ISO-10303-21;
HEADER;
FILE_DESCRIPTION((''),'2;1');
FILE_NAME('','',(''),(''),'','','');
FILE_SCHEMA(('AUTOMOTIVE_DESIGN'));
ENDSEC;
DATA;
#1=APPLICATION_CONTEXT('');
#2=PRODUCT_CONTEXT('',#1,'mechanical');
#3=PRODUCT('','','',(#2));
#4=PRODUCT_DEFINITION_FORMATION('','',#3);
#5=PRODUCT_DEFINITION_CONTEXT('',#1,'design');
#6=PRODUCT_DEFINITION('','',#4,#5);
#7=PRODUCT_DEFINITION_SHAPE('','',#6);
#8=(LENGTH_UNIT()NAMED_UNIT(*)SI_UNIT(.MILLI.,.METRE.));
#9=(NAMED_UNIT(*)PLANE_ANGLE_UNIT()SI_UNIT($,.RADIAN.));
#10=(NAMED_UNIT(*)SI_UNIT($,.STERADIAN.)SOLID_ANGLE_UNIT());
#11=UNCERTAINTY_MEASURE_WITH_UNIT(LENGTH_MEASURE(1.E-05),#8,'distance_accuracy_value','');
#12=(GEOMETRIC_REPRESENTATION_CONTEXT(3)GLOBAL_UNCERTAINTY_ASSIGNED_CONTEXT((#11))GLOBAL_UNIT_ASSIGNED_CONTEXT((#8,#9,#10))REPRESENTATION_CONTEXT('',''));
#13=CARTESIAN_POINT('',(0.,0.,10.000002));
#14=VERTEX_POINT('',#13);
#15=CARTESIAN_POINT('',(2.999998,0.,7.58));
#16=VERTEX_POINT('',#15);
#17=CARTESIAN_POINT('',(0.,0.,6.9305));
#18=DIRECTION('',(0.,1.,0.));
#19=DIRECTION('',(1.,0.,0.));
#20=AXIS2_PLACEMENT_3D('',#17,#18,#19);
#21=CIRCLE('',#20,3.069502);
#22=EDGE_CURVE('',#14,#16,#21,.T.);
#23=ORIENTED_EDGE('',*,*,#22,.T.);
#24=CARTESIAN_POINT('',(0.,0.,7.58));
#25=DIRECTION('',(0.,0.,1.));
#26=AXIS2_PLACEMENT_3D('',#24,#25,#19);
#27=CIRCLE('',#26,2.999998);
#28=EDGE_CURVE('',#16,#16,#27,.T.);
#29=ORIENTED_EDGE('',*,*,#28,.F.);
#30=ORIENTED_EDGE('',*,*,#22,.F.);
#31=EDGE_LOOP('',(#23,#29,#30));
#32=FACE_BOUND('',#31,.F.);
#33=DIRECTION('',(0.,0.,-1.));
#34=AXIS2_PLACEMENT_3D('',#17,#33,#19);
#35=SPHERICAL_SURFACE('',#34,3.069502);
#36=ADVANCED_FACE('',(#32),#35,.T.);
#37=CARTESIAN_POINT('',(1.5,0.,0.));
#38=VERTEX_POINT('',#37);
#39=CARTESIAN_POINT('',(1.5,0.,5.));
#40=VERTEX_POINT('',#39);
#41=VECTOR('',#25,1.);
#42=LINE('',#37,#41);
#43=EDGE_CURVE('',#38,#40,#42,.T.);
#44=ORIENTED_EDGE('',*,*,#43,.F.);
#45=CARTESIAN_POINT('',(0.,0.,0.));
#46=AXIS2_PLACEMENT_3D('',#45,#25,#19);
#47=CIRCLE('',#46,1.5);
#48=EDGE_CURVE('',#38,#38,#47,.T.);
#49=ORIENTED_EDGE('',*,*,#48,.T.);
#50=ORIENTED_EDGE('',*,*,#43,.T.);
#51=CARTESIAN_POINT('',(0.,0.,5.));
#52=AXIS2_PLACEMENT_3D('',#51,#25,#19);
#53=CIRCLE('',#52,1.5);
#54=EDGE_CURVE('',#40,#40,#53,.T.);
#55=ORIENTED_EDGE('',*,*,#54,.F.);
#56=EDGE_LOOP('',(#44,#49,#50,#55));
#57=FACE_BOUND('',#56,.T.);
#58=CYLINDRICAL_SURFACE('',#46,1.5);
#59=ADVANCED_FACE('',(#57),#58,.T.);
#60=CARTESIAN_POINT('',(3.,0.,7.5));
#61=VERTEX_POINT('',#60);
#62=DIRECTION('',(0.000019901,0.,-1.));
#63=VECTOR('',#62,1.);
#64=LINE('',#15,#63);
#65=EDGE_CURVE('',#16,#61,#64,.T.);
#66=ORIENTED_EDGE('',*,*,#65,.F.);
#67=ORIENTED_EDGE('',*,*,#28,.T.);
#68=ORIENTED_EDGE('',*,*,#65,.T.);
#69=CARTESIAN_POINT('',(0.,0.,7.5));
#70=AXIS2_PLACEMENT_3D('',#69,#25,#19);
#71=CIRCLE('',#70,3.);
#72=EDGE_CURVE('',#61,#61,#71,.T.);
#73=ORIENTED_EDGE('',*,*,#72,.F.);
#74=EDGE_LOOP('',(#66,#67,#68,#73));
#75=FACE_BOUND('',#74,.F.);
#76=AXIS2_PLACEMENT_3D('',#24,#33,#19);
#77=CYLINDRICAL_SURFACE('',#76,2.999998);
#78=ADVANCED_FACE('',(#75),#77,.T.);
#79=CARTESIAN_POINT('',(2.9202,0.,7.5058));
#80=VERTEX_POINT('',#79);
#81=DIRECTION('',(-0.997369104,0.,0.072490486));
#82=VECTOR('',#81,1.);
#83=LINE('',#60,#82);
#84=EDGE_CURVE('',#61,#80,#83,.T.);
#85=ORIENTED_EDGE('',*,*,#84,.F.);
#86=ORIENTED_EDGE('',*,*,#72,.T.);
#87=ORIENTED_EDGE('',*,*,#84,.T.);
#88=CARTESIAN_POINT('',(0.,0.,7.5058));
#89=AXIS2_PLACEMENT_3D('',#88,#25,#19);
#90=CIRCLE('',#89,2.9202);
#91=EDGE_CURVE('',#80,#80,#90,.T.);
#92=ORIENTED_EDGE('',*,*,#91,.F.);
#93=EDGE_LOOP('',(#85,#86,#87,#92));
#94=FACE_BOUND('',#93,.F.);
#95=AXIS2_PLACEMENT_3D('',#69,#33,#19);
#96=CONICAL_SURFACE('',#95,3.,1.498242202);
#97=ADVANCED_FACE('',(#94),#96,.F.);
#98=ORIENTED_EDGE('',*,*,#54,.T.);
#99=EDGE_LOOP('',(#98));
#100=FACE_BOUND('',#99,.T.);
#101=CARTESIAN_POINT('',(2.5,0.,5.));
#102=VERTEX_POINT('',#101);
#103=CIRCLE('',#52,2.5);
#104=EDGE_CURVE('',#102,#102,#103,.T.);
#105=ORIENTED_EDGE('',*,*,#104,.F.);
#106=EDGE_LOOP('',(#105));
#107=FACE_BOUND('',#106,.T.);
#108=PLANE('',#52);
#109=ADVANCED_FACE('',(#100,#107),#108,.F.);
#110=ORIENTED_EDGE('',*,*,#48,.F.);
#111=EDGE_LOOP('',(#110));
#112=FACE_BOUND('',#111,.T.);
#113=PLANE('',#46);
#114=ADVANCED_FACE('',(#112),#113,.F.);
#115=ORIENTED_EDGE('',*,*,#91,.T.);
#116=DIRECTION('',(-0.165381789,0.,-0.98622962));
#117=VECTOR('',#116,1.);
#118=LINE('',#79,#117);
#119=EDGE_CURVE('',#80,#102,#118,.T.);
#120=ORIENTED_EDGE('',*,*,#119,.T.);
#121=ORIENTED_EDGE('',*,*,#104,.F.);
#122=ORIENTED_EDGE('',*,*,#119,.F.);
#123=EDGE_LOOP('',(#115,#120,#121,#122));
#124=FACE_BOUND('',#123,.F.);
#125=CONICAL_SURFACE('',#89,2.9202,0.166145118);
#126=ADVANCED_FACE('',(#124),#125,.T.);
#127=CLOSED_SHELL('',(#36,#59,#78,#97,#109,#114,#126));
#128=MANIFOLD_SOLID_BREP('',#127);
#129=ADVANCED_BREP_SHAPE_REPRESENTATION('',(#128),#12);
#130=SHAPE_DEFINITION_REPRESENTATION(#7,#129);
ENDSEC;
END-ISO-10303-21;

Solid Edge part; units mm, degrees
sketch "Sketch1" plane through (0, 0, 0) normal (0, -1, 0) x (1, 0, 0)
  arc A0 (0, 10) -> (3, 7.58) centre (0, 6.9305) cw
  line L0 (3, 7.58) -> (3, 7.5)
  line L1 (3, 7.5) -> (2.9202, 7.5058)
  line L2 (2.9202, 7.5058) -> (2.5, 5)
  line L3 (1.5, 5) -> (2.5, 5)
  line L4 (1.5, 0) -> (1.5, 5)
  line L5 (0, 0) -> (1.5, 0)
  line L6 (0, 0) -> (0, 10)
revolve "RevolvedProtrusion1" add sketch "Sketch1" angle 360 about axis through (0, 0, 0) along (0, 0, 1)
properties material "Tantalum"
